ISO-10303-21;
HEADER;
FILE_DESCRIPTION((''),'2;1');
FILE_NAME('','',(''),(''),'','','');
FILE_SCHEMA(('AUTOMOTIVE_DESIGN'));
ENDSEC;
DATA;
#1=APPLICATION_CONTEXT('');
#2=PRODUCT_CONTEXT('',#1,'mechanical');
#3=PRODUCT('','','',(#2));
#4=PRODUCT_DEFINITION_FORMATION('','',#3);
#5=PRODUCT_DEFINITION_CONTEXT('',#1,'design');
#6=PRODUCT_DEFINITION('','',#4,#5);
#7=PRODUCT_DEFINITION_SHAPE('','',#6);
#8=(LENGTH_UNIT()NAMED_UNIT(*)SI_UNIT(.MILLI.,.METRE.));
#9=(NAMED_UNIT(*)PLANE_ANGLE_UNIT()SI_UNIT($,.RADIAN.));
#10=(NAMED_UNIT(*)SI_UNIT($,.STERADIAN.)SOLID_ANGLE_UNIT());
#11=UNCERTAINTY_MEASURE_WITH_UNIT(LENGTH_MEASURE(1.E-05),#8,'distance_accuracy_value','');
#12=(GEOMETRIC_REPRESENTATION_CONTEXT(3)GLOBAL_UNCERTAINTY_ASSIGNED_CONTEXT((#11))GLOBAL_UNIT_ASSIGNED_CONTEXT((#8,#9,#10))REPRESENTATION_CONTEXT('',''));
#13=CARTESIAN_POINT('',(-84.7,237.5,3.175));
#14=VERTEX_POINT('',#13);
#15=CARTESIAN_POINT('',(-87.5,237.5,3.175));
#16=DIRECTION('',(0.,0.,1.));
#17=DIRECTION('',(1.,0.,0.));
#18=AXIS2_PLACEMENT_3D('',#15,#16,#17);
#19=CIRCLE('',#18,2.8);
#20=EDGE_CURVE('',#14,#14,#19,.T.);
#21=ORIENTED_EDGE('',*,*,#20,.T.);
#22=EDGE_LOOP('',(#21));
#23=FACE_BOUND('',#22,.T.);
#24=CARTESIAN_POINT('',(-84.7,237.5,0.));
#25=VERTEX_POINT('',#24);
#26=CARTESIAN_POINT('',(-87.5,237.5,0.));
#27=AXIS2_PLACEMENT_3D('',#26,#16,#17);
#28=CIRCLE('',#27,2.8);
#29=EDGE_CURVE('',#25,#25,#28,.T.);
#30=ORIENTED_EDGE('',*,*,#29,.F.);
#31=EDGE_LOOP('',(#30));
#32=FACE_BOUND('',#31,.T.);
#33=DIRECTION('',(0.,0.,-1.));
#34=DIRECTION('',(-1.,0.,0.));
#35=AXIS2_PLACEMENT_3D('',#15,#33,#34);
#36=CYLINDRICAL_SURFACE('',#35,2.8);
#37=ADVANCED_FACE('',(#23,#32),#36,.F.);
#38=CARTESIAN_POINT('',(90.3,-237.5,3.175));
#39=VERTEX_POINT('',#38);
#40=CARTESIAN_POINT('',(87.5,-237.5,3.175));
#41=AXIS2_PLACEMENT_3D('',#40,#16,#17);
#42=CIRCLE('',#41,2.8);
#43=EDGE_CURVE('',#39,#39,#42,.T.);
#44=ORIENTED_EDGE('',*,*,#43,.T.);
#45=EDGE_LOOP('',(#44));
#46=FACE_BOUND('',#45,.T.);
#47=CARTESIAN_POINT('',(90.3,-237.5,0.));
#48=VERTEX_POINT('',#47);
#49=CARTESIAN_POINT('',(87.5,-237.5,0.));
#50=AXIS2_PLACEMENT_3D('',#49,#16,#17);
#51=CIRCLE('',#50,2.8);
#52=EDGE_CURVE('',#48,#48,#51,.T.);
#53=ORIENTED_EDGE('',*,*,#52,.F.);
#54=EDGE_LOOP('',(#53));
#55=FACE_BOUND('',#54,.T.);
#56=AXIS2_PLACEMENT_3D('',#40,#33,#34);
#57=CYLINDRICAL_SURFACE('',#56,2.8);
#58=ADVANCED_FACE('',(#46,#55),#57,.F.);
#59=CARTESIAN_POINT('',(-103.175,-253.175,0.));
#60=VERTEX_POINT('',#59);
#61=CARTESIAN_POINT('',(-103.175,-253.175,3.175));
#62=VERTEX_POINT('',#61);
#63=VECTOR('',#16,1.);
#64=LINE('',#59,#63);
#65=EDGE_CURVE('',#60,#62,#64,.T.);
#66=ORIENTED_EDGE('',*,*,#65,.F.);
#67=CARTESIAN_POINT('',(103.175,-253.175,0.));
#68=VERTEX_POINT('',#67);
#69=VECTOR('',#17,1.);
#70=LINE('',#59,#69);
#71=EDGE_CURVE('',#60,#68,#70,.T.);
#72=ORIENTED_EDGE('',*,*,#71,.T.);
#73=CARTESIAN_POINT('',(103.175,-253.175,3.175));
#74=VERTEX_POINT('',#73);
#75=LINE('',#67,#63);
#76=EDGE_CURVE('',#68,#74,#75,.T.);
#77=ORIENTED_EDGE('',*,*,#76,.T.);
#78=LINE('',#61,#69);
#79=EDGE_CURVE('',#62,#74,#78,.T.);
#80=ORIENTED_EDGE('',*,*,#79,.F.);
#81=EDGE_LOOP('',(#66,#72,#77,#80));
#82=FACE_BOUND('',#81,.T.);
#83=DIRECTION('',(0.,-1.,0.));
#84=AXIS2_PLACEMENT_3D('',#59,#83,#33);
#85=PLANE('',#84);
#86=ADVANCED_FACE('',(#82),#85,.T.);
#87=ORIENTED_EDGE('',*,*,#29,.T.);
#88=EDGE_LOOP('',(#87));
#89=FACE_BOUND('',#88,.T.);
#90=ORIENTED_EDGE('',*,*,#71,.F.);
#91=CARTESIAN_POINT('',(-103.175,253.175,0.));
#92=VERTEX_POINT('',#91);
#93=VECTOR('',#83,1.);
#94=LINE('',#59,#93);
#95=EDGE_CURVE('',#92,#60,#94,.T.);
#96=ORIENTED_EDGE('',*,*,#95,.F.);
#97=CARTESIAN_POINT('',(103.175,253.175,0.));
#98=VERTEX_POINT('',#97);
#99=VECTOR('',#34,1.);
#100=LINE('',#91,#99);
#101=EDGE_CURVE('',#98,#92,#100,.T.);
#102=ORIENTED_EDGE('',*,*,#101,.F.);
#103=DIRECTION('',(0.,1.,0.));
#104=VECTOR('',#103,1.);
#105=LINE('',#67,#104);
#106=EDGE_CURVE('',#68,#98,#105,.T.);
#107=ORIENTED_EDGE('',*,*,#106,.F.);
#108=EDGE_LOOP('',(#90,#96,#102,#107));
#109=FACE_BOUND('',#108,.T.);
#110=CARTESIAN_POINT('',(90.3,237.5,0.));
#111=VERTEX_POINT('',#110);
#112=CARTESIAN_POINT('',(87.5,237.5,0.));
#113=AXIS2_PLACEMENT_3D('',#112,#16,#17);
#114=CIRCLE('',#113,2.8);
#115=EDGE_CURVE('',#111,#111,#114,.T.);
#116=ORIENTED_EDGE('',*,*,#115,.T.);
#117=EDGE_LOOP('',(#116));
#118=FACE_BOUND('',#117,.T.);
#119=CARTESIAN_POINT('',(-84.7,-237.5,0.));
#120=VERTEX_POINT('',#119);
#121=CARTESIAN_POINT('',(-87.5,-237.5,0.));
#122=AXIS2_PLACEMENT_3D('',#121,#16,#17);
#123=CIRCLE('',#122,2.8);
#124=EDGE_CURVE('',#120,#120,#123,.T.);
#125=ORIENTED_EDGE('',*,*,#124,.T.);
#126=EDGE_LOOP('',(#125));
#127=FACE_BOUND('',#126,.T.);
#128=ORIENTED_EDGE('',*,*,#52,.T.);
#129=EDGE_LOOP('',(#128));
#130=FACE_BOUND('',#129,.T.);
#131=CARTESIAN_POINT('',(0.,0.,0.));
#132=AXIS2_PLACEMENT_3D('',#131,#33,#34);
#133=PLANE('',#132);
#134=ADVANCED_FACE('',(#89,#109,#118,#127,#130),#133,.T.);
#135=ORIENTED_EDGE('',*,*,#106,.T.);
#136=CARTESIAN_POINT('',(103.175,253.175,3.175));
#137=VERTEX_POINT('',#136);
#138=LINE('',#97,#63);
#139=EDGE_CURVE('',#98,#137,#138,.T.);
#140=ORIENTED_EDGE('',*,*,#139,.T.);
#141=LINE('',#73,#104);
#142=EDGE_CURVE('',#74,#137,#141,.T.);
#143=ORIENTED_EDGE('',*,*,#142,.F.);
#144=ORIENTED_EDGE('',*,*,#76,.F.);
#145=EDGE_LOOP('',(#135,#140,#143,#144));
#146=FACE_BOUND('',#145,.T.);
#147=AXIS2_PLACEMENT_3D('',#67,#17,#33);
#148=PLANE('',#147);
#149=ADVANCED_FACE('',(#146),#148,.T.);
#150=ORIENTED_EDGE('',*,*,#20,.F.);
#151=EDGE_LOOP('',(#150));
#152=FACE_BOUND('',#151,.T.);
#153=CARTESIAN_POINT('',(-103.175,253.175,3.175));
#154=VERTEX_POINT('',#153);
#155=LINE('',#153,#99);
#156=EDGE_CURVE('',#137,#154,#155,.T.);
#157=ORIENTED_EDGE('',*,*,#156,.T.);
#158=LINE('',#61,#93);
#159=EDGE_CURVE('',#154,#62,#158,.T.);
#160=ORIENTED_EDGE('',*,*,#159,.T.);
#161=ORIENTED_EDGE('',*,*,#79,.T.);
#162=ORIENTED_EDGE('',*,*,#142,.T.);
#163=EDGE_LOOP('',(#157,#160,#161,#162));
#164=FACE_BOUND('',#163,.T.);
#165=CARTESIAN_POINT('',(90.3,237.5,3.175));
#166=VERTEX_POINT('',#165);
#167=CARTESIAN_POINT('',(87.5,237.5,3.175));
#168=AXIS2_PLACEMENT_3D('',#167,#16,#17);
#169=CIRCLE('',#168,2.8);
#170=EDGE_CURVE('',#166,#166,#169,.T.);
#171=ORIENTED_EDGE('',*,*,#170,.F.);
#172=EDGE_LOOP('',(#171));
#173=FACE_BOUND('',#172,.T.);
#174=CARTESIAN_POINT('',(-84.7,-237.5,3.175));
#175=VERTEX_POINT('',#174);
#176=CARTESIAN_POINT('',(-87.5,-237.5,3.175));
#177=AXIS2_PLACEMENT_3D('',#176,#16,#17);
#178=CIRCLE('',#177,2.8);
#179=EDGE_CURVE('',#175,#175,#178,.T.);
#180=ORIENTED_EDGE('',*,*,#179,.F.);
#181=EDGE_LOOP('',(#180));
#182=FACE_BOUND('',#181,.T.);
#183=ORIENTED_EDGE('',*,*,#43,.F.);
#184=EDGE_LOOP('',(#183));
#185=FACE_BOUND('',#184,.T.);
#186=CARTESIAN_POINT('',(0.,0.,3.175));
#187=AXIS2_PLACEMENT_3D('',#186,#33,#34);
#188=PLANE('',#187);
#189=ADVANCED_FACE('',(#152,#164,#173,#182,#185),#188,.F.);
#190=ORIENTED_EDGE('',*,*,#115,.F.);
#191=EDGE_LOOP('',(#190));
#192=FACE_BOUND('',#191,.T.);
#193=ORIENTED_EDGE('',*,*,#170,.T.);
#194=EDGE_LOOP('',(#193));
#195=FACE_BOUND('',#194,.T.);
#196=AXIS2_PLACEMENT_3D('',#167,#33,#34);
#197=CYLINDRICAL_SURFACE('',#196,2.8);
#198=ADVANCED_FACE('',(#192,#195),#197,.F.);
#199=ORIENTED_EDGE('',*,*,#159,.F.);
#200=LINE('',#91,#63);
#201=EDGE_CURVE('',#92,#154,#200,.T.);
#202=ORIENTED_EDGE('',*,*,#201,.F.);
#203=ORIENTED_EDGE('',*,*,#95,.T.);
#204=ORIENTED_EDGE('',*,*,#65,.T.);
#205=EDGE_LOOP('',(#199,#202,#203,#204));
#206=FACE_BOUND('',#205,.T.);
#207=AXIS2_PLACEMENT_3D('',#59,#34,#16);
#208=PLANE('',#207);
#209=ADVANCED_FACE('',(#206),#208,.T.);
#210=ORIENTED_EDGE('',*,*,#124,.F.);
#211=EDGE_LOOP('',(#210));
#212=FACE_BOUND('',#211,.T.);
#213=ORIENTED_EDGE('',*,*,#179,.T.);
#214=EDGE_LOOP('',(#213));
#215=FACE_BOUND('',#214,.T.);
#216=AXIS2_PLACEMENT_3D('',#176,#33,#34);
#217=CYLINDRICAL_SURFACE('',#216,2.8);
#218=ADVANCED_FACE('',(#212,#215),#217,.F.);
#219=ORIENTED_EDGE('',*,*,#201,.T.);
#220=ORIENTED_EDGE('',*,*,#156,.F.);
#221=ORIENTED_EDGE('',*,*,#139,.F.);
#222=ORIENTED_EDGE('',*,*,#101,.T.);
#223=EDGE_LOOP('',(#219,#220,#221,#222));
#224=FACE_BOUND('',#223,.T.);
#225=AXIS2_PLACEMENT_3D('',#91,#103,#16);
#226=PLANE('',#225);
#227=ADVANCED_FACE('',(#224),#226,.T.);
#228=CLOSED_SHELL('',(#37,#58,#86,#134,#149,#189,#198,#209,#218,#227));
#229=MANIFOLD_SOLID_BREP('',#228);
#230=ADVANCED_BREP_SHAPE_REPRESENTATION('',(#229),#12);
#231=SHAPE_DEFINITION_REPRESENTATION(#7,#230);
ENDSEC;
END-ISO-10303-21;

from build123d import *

# Parameters (mm, degrees)
SKETCH1_W           = 500
SKETCH1_H           = 200
SKETCH1_R           = 2.8
BOSS_EXTRUDE1_DEPTH = 3.175
SKETCH2_W           = 206.35
SKETCH2_H           = 506.35
SKETCH2_W_2         = 200
SKETCH2_H_2         = 500
BOSS_EXTRUDE2_DEPTH = 3.175


with BuildPart() as part:
    # Sketch1 → Boss-Extrude1 (new body)
    with BuildSketch(Plane(origin=(0, 0, 0), x_dir=(0, 1, 0), z_dir=(0, 0, 1))):
        Rectangle(SKETCH1_W, SKETCH1_H)
        with Locations(Location((-237.5, 87.5, 0), (0, 0, 270))):
            Circle(SKETCH1_R, mode=Mode.SUBTRACT)
        with Locations(Location((237.5, 87.5, 0), (0, 0, 270))):
            Circle(SKETCH1_R, mode=Mode.SUBTRACT)
        with Locations(Location((237.5, -87.5, 0), (0, 0, 270))):
            Circle(SKETCH1_R, mode=Mode.SUBTRACT)
        with Locations(Location((-237.5, -87.5, 0), (0, 0, 270))):
            Circle(SKETCH1_R, mode=Mode.SUBTRACT)
    extrude(amount=BOSS_EXTRUDE1_DEPTH)

    # Sketch2 → Boss-Extrude2 (add, through all)
    with BuildSketch(Plane.XY.offset(3.175)):
        Rectangle(SKETCH2_W, SKETCH2_H)
        Rectangle(SKETCH2_W_2, SKETCH2_H_2, mode=Mode.SUBTRACT)
    extrude(amount=-BOSS_EXTRUDE2_DEPTH)


solid = part.part
